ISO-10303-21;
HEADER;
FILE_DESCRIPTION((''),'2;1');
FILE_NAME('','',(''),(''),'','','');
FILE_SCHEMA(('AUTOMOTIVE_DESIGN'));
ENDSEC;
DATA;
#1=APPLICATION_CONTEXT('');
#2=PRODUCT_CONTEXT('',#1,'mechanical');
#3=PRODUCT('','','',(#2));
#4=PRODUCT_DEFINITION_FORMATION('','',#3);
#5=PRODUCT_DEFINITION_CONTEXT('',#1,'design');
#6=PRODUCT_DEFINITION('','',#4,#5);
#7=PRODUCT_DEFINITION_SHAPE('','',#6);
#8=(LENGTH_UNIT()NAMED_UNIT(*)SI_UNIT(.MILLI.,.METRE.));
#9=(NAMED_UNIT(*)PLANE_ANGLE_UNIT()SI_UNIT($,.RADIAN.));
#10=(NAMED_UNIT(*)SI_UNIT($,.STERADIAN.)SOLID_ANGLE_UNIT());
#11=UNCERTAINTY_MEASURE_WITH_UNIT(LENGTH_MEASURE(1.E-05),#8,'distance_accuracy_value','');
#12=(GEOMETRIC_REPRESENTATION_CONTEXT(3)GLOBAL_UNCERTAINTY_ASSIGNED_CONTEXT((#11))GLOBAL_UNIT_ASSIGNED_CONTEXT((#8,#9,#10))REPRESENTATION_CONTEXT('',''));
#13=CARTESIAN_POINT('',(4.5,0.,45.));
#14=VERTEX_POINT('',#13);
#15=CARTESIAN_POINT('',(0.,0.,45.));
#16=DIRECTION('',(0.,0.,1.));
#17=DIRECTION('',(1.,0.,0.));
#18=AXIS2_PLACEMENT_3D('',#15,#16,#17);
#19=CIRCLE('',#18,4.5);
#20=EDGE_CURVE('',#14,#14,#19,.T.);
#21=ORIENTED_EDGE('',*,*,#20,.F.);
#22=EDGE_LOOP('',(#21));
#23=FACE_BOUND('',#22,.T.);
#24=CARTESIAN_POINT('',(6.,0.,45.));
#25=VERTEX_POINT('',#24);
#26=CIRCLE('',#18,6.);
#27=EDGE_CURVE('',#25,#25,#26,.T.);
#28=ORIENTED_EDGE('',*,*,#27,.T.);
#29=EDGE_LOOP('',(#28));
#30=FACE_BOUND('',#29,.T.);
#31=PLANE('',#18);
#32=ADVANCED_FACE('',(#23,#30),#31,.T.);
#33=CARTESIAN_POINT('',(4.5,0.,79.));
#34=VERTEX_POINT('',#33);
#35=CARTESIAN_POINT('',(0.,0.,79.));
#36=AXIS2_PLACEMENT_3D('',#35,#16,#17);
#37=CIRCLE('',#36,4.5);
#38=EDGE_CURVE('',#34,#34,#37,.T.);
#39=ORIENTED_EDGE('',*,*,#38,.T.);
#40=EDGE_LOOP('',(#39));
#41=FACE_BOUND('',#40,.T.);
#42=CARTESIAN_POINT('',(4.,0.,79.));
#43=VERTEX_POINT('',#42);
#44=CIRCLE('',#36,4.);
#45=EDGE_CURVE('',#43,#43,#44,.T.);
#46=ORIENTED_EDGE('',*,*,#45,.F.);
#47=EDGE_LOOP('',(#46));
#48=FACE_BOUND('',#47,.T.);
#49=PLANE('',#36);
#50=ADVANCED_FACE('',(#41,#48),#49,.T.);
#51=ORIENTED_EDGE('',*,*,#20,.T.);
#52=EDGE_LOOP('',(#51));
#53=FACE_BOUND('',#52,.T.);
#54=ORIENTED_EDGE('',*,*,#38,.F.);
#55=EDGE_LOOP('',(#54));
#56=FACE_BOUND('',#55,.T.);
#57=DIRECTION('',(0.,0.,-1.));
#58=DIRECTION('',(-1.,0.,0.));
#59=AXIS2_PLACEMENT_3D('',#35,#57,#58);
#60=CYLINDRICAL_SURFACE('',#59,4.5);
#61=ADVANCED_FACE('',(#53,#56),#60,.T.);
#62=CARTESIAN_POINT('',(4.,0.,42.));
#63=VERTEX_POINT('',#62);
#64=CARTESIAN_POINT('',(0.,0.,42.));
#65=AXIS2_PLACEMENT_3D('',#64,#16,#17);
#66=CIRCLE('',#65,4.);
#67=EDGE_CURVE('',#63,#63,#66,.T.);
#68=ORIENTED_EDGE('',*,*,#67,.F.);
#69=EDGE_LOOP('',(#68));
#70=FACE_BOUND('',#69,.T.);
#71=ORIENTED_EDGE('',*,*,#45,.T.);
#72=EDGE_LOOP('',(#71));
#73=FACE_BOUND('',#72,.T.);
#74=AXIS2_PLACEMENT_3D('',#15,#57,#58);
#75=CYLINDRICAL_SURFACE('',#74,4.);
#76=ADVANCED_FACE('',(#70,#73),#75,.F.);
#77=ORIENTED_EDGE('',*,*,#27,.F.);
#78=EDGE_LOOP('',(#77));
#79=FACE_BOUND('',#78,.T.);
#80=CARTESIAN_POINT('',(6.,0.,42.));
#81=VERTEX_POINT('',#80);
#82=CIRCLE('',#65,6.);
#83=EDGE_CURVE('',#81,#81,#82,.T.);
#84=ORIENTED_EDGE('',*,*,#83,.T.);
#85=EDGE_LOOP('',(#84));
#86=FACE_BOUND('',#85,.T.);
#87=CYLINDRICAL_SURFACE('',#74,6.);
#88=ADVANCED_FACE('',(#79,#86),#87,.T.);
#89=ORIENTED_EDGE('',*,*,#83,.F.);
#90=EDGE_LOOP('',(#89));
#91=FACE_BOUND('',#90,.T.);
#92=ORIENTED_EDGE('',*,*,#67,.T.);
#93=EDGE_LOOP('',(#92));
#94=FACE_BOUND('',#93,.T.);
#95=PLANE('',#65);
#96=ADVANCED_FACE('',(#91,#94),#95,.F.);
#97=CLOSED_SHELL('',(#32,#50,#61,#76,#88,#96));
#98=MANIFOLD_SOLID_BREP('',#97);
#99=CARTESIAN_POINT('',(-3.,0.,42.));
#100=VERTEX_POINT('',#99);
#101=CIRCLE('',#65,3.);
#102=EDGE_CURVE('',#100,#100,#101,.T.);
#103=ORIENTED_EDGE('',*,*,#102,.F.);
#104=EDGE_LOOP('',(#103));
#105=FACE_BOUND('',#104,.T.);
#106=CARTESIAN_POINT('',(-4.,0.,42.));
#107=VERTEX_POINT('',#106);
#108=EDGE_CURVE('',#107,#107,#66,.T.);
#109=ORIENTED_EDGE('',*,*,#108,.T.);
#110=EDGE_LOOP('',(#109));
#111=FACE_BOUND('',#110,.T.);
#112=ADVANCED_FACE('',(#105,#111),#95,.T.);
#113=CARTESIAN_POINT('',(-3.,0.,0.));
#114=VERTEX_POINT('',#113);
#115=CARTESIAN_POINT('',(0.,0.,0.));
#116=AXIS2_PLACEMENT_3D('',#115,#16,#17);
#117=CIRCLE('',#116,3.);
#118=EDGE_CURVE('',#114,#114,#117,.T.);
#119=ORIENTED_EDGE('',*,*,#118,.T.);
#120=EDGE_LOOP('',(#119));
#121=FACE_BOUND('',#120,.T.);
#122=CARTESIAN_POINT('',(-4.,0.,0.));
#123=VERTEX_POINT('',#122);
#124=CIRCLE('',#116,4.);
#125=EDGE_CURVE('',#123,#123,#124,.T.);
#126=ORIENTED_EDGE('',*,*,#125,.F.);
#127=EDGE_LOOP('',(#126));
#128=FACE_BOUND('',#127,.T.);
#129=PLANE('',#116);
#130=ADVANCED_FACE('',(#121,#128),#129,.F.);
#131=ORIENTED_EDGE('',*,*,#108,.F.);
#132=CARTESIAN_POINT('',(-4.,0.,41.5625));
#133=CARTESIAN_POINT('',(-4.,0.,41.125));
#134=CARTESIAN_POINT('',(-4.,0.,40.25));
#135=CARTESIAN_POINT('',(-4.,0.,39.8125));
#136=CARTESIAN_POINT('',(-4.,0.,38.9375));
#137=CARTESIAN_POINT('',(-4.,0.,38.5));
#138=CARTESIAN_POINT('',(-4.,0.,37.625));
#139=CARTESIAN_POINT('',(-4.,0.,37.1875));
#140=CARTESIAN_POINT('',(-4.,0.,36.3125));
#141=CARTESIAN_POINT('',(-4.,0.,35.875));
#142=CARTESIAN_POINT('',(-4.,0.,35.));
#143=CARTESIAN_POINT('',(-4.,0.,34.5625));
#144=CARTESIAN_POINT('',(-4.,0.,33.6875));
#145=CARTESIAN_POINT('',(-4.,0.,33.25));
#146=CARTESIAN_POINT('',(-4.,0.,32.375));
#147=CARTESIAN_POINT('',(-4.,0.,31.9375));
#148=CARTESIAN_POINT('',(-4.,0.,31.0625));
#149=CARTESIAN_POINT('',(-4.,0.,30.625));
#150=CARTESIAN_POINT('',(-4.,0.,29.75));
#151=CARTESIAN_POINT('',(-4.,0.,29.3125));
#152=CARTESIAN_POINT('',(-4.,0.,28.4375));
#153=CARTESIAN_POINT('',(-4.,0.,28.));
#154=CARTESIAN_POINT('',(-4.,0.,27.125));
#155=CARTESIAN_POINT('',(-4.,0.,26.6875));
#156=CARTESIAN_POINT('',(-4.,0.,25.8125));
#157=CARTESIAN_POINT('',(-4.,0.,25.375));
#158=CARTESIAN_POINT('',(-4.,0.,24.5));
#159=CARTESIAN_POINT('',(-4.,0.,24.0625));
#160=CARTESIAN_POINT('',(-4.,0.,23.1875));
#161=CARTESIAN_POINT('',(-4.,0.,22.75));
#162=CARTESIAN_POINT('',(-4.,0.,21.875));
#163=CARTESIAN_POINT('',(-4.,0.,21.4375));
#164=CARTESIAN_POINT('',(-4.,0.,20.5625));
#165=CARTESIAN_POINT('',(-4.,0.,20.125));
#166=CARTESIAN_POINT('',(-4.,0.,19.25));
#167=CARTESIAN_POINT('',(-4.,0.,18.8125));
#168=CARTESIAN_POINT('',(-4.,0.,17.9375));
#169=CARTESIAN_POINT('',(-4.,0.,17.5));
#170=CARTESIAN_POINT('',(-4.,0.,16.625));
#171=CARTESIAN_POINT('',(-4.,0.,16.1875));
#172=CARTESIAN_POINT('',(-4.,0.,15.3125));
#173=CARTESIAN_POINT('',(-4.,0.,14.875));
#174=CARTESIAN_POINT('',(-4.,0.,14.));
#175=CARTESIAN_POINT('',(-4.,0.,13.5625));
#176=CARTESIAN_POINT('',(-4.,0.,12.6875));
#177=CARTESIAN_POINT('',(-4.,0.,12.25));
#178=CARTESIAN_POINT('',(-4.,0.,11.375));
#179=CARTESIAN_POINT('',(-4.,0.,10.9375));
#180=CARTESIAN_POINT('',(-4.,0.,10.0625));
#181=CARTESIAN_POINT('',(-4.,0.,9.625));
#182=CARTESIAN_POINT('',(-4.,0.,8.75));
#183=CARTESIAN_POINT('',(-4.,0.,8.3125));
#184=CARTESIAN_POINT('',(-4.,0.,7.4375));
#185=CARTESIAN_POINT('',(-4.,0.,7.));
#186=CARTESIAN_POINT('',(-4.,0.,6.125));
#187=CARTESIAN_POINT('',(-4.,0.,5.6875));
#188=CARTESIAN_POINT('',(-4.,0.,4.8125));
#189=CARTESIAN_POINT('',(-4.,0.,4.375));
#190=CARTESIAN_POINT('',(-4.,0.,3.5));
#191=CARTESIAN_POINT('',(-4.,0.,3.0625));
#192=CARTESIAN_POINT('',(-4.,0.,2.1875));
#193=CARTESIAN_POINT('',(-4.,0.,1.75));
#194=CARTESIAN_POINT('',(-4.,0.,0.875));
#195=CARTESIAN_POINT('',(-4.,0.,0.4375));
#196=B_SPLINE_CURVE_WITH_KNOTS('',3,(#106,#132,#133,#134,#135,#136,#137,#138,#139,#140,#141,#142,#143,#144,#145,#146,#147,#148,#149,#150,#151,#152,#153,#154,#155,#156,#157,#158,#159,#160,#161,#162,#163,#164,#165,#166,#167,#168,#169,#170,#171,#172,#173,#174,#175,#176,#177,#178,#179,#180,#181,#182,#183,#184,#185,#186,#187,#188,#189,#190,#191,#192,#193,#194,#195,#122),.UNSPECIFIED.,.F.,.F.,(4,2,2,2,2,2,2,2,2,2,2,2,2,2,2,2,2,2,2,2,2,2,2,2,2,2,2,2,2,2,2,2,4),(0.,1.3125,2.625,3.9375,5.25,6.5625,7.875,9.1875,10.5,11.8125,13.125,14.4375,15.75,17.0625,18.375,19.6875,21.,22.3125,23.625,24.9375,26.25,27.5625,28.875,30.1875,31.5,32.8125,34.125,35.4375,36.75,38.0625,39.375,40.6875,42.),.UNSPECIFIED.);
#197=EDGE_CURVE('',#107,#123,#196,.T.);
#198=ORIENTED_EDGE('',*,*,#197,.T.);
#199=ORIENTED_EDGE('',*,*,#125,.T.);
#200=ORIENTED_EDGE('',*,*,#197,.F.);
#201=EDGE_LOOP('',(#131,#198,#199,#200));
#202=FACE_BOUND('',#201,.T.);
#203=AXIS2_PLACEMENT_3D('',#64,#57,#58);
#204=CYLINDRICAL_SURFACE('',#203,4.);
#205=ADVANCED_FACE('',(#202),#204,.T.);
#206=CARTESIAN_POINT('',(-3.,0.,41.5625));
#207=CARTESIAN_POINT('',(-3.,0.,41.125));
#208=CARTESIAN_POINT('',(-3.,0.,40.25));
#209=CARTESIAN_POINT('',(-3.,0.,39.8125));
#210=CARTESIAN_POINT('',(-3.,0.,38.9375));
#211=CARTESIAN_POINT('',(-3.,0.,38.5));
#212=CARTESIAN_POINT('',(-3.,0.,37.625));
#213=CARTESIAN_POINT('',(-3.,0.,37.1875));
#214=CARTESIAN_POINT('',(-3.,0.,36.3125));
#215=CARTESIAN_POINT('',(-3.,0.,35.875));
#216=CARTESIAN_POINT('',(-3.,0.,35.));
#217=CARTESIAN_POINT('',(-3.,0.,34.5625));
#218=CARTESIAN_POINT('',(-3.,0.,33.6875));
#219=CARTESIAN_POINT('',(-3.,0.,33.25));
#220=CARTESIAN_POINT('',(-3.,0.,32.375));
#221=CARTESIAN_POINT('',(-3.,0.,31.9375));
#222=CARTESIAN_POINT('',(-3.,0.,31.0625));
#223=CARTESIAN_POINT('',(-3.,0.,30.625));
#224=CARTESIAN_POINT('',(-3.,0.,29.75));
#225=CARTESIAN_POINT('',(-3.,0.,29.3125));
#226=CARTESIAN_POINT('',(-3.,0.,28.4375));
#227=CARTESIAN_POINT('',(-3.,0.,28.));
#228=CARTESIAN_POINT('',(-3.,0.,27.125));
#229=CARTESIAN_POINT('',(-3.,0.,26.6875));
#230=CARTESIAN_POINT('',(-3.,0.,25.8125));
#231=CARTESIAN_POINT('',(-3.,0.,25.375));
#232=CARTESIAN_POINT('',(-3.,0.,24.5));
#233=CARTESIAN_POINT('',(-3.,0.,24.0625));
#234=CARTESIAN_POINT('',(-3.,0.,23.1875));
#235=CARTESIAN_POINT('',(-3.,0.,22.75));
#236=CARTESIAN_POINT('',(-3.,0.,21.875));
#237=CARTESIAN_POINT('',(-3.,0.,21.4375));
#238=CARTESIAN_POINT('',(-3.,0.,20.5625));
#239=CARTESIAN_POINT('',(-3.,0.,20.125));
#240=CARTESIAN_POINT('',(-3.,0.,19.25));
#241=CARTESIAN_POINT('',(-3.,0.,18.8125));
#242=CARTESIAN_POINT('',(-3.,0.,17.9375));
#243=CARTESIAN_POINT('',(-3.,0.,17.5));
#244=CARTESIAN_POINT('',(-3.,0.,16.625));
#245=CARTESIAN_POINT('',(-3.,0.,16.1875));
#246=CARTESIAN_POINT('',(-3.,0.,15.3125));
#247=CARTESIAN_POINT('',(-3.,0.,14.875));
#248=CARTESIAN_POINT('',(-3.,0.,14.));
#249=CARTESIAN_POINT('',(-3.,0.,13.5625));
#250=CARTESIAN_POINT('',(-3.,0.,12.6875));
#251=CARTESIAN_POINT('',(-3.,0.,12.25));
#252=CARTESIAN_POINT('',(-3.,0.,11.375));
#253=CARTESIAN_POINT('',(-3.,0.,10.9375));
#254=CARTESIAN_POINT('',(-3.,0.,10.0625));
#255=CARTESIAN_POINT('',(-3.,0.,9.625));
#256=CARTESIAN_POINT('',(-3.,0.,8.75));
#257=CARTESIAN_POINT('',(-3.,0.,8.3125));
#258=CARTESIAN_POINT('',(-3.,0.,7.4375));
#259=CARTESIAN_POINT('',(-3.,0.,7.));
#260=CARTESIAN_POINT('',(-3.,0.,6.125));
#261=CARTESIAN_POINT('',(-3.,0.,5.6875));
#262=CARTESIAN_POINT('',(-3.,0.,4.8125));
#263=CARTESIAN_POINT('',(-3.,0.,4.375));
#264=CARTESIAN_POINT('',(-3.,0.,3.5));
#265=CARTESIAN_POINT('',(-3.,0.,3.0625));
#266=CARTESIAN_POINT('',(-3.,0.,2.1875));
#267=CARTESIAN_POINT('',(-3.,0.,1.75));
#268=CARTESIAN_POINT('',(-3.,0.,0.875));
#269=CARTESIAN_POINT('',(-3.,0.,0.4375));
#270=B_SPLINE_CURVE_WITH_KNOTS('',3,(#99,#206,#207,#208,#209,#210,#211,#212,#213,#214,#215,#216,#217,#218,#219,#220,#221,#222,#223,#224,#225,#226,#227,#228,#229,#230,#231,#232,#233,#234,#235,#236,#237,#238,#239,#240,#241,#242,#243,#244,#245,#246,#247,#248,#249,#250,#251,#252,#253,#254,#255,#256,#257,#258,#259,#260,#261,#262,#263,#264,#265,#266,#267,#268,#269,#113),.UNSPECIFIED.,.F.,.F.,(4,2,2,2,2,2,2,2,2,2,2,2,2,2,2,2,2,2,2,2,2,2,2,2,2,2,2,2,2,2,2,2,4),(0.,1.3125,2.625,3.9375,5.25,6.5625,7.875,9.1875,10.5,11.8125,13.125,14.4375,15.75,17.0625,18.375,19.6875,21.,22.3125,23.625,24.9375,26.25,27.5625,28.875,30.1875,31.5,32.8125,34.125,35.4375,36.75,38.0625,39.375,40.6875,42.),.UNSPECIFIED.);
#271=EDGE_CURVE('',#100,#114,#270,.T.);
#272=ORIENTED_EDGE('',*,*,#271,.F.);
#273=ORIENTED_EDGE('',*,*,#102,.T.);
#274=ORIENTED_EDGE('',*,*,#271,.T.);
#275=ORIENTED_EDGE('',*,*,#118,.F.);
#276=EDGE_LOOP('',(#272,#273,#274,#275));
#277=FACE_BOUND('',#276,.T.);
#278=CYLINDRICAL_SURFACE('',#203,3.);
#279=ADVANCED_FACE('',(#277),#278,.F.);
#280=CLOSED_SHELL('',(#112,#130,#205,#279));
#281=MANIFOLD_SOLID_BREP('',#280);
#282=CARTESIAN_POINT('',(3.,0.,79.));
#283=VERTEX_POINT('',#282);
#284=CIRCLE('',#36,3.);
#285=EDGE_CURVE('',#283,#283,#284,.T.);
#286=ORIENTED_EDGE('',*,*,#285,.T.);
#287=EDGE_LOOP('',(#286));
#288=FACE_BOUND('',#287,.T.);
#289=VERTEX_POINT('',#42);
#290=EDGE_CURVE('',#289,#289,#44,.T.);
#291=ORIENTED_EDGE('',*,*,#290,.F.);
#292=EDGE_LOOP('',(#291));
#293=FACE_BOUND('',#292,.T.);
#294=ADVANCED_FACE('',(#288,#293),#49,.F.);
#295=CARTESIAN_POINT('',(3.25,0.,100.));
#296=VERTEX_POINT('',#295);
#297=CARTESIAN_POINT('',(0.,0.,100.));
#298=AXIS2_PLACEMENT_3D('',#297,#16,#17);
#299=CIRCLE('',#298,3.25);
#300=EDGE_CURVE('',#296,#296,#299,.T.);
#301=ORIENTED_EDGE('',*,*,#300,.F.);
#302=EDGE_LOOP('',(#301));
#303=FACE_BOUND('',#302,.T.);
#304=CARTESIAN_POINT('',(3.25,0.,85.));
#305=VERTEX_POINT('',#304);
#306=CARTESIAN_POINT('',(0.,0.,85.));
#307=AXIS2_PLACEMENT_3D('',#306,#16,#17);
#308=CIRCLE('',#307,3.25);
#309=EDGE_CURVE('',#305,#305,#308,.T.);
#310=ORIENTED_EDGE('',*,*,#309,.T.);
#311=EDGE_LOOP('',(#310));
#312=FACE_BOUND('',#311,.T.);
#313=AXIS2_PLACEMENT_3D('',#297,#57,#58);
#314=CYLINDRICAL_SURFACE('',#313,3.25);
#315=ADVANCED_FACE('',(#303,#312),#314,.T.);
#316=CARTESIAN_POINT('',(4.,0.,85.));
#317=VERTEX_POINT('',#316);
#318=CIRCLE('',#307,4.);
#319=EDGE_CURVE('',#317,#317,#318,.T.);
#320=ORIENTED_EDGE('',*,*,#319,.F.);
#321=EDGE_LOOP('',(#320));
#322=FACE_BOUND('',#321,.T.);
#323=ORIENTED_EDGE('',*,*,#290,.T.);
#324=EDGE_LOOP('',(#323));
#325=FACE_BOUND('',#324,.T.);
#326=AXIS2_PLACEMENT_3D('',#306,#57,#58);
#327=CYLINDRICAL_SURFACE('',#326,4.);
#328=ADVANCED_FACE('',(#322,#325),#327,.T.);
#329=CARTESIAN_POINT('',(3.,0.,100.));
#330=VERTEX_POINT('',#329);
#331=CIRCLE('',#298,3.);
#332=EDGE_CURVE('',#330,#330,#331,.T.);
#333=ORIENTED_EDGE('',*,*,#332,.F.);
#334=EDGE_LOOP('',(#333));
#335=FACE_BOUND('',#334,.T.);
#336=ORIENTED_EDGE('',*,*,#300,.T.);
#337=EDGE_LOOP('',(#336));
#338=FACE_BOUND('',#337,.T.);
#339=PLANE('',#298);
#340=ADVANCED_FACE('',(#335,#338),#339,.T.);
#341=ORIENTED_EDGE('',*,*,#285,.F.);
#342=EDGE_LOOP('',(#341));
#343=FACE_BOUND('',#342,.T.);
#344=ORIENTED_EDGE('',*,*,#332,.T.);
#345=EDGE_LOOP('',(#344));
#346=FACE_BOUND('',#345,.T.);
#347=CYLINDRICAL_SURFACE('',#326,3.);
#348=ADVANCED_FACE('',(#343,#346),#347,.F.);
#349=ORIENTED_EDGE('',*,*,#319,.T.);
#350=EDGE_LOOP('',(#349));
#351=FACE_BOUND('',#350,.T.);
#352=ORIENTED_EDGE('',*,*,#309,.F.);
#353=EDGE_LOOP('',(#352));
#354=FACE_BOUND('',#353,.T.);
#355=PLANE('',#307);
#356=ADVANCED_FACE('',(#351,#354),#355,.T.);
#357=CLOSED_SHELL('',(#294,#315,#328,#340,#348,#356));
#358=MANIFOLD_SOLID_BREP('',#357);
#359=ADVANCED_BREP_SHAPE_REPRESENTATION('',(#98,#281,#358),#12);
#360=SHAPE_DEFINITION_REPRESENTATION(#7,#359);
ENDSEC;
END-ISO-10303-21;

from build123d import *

# Parameters (mm, degrees)
SKETCH2_R           = 4
SKETCH2_R_2         = 3
BOSS_EXTRUDE1_DEPTH = 42
SKETCH3_R           = 6
SKETCH3_R_2         = 4
BOSS_EXTRUDE2_DEPTH = 3
SKETCH4_R           = 4.5
SKETCH4_R_2         = 4
BOSS_EXTRUDE3_DEPTH = 34
SKETCH5_R           = 4
SKETCH5_R_2         = 3
BOSS_EXTRUDE4_DEPTH = 6
SKETCH6_R           = 3.25
SKETCH6_R_2         = 3
BOSS_EXTRUDE5_DEPTH = 15


with BuildPart() as part:
    # Sketch2 → Boss-Extrude1 (new body)
    with BuildSketch(Plane.XY):
        with Locations(Location((0, 0, 0), (0, 0, 180))):
            Circle(SKETCH2_R)
        with Locations(Location((0, 0, 0), (0, 0, 180))):
            Circle(SKETCH2_R_2, mode=Mode.SUBTRACT)
    extrude(amount=BOSS_EXTRUDE1_DEPTH)


with BuildPart() as body_2:
    # Sketch3 → Boss-Extrude2 (new body)
    with BuildSketch(Plane.XY.offset(42)):
        Circle(SKETCH3_R)
        Circle(SKETCH3_R_2, mode=Mode.SUBTRACT)
    extrude(amount=BOSS_EXTRUDE2_DEPTH)

    # Sketch4 → Boss-Extrude3 (add)
    with BuildSketch(Plane.XY.offset(45)):
        Circle(SKETCH4_R)
        Circle(SKETCH4_R_2, mode=Mode.SUBTRACT)
    extrude(amount=BOSS_EXTRUDE3_DEPTH)


with BuildPart() as body_3:
    # Sketch5 → Boss-Extrude4 (new body)
    with BuildSketch(Plane.XY.offset(79)):
        Circle(SKETCH5_R)
        Circle(SKETCH5_R_2, mode=Mode.SUBTRACT)
    extrude(amount=BOSS_EXTRUDE4_DEPTH)

    # Sketch6 → Boss-Extrude5 (add)
    with BuildSketch(Plane.XY.offset(85)):
        Circle(SKETCH6_R)
        Circle(SKETCH6_R_2, mode=Mode.SUBTRACT)
    extrude(amount=BOSS_EXTRUDE5_DEPTH)


solid = Compound([part.part, body_2.part, body_3.part])
